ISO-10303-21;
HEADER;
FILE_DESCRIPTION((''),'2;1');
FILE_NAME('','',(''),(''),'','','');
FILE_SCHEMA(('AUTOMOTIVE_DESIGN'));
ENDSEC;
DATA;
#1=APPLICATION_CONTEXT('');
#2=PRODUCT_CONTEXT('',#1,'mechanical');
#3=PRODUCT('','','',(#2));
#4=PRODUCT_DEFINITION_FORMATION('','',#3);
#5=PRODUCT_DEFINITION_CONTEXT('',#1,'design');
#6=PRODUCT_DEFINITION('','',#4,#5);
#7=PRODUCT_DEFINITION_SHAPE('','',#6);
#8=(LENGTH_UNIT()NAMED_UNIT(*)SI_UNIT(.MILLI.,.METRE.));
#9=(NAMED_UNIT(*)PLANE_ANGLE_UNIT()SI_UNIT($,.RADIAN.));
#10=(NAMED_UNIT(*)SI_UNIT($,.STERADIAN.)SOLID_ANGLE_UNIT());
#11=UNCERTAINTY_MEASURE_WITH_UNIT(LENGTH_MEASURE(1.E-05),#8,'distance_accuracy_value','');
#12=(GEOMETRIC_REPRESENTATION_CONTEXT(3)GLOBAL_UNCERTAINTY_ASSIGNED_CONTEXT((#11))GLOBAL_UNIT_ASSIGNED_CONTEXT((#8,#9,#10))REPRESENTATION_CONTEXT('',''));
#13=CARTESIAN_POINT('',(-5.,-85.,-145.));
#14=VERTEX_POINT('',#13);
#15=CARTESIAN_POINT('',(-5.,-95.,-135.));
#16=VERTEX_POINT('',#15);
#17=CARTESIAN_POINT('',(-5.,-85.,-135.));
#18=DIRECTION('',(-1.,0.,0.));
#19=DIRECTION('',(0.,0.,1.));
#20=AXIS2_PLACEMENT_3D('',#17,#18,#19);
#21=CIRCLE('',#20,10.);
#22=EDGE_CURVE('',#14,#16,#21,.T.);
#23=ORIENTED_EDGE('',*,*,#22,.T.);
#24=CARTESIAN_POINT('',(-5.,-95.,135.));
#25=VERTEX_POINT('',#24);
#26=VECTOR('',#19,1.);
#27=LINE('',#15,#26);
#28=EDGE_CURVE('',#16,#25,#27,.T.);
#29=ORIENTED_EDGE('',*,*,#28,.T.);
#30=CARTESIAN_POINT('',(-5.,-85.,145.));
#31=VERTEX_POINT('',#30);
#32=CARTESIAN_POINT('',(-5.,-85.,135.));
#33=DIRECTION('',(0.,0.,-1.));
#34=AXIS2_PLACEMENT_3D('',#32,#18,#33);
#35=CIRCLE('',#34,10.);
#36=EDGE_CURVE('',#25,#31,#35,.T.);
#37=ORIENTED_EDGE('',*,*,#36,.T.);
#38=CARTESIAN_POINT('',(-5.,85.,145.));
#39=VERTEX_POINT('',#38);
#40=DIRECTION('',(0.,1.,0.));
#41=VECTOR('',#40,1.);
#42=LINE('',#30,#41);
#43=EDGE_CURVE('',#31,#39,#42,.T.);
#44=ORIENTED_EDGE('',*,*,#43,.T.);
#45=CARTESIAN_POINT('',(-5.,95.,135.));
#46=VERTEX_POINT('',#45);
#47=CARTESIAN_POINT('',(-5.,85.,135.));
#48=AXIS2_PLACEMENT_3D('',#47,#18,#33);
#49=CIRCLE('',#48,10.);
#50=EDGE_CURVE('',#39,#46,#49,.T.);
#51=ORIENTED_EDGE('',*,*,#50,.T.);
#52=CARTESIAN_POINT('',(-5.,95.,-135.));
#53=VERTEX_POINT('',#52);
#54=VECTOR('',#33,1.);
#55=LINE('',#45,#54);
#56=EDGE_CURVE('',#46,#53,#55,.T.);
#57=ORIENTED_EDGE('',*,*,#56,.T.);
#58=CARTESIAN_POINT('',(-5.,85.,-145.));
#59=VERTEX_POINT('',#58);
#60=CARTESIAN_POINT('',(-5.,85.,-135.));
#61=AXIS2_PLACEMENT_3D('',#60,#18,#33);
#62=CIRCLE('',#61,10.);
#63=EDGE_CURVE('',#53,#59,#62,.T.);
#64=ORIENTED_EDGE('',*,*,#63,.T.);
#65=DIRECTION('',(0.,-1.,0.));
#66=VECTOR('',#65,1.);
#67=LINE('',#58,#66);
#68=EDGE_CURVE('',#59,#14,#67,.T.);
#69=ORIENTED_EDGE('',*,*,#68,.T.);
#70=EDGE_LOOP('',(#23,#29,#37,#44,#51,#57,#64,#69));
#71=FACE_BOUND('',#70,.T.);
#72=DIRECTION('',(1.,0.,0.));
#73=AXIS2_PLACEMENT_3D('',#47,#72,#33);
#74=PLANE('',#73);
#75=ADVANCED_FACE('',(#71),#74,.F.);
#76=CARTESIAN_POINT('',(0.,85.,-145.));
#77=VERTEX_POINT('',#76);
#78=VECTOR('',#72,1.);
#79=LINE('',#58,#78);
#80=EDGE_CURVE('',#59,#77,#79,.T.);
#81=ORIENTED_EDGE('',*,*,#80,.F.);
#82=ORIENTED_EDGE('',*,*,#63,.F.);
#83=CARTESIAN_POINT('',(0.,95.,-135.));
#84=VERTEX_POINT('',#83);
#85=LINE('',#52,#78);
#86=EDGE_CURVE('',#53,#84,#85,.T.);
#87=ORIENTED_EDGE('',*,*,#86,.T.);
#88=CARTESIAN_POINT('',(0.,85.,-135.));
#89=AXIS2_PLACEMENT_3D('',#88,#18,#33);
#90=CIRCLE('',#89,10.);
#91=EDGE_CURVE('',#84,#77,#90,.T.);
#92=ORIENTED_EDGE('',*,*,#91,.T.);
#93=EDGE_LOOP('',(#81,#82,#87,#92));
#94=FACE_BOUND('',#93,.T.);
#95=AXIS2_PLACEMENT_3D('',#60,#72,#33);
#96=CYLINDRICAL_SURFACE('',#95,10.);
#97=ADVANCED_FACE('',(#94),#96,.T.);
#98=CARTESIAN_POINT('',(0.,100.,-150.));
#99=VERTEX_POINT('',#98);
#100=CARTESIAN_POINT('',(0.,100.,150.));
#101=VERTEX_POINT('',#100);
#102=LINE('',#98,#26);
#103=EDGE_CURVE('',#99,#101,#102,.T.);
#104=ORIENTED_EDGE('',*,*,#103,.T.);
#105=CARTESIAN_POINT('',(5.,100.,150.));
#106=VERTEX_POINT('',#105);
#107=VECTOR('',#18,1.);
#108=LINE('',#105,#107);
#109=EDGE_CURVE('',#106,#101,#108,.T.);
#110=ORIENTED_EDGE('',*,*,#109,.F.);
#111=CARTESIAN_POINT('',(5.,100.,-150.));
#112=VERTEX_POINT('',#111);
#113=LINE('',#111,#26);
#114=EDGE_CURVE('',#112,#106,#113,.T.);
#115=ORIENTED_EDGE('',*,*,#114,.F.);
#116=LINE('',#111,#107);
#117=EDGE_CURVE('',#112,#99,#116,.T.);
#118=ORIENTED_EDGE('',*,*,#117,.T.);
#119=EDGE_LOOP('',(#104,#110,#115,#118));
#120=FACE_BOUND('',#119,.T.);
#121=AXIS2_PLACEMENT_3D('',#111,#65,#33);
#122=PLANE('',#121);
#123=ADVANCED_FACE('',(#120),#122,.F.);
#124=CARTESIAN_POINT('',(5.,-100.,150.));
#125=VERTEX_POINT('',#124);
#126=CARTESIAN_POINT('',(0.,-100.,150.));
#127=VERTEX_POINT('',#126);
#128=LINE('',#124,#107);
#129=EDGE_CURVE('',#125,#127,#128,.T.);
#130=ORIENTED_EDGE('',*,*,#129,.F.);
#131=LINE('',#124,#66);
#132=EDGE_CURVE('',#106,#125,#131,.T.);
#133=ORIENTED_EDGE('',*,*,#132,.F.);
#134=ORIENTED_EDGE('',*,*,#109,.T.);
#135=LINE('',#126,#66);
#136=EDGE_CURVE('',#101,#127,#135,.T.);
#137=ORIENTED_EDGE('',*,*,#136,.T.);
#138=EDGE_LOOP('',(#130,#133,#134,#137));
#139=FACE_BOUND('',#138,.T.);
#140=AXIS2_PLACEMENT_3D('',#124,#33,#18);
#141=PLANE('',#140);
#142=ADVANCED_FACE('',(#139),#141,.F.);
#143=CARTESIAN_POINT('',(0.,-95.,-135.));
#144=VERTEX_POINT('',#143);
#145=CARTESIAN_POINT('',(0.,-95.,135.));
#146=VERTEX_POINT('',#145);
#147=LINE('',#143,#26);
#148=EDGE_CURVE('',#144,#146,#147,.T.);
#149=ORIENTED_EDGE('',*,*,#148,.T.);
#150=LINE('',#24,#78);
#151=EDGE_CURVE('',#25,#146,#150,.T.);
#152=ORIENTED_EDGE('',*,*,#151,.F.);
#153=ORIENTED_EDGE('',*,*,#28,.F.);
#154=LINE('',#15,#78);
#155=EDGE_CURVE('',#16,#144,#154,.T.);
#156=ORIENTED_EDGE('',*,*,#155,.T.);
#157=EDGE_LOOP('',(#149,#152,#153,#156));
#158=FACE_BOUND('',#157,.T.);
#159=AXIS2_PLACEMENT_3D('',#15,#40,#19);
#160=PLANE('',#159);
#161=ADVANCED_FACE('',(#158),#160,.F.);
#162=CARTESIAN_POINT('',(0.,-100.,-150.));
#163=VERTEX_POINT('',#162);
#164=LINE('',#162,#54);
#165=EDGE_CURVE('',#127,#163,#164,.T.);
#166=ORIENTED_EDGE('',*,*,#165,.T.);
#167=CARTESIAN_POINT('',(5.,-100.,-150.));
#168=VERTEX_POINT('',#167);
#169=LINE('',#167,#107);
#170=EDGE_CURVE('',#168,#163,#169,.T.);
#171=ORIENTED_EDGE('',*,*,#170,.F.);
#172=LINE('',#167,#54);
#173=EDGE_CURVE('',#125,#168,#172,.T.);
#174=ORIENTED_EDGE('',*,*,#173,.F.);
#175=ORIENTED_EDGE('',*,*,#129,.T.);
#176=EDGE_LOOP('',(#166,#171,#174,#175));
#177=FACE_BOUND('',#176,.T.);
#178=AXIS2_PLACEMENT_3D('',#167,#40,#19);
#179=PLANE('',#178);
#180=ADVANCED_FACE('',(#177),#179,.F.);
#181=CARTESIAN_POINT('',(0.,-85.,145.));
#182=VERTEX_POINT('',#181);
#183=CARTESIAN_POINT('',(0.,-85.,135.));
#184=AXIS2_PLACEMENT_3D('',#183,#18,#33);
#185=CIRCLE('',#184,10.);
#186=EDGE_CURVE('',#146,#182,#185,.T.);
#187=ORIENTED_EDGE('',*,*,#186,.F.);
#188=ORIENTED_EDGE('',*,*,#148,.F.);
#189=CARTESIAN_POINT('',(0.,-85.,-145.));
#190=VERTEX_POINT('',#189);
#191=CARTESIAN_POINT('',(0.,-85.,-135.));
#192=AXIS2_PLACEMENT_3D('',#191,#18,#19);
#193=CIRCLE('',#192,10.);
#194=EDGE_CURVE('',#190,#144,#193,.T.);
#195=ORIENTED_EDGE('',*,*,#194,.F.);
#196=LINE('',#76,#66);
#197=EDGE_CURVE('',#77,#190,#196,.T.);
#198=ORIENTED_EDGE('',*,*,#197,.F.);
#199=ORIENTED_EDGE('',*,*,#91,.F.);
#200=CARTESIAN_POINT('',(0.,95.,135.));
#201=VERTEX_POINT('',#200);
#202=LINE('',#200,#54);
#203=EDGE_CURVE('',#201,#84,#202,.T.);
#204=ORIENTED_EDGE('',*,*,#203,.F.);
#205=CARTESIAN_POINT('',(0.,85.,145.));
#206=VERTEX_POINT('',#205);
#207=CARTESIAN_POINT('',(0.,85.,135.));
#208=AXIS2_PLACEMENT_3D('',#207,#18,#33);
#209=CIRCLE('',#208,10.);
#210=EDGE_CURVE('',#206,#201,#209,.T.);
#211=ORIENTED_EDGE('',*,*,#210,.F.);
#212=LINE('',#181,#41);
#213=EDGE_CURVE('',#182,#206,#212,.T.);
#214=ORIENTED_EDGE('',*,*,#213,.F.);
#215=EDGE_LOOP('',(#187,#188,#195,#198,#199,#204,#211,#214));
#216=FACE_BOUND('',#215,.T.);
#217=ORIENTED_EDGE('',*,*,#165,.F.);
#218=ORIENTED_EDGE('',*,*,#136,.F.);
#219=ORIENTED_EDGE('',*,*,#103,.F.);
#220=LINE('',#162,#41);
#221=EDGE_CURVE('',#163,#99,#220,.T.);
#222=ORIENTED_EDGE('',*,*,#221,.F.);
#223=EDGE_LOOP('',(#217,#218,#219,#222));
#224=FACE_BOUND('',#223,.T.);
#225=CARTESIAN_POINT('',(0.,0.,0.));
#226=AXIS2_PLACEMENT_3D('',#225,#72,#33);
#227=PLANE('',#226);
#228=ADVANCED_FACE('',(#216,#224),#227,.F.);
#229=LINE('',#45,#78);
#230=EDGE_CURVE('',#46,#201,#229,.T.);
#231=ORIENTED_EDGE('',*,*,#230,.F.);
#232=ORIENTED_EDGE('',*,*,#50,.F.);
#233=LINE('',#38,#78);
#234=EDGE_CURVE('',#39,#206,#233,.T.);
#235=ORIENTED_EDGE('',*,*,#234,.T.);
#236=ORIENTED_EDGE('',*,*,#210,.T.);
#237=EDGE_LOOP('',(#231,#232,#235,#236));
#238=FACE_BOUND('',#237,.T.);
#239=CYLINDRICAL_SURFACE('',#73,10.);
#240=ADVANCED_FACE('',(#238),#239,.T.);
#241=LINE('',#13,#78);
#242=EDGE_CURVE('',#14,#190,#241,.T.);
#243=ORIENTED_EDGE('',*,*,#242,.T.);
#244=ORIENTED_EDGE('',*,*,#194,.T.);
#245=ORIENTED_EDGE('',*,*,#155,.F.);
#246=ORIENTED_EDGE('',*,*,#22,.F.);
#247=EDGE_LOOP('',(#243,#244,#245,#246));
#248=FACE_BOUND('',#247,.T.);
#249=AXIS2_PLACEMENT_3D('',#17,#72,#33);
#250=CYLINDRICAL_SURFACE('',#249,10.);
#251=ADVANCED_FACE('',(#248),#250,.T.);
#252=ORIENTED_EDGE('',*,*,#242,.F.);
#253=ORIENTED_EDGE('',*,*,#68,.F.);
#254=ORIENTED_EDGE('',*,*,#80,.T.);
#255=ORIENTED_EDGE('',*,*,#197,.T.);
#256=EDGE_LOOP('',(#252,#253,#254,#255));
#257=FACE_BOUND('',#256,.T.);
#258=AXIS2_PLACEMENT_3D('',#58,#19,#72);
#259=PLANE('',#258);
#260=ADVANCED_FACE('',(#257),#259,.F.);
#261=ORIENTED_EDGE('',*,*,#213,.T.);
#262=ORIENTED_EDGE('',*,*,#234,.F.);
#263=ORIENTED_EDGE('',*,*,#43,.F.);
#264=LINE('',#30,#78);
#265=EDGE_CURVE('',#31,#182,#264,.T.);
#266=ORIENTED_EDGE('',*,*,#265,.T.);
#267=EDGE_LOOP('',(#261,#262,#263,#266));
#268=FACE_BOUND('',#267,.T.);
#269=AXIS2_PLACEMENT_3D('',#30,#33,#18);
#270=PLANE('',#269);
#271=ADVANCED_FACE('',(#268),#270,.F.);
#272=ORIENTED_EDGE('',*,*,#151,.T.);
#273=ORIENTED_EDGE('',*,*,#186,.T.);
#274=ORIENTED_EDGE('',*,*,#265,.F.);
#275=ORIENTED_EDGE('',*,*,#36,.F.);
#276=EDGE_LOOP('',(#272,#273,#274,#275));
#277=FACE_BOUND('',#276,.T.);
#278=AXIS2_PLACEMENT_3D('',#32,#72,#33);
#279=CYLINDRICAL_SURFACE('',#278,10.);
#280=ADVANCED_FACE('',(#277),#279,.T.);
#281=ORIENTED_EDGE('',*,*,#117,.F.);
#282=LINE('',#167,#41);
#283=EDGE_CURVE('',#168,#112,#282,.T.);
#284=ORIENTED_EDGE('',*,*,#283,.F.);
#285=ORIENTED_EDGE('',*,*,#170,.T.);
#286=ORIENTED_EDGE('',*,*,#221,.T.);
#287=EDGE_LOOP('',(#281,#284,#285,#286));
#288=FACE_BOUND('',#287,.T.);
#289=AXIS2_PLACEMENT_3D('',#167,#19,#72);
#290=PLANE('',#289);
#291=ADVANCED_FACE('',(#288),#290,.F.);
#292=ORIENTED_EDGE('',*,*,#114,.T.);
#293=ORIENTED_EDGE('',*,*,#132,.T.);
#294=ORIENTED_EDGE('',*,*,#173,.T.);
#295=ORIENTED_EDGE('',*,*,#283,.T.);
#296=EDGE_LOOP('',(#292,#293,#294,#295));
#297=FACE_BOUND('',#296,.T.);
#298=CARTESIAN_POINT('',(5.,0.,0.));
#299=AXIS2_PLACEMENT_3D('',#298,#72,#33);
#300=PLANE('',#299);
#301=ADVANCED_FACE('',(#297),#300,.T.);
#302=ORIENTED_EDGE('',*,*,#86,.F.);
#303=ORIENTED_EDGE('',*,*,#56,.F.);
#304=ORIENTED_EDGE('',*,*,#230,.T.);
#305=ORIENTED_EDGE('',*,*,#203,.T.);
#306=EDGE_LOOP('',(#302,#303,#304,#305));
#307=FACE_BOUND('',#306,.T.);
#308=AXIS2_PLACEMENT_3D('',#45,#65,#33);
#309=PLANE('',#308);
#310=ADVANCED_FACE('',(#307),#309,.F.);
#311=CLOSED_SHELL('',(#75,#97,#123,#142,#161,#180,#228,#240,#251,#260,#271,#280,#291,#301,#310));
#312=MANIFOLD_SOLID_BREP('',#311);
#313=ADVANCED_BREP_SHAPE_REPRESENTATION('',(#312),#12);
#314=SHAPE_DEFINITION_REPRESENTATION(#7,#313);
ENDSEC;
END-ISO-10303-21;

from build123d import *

# Parameters (mm, degrees)
SKETCH1_W           = 300
SKETCH1_H           = 200
BOSS_EXTRUDE1_DEPTH = 5
BOSS_EXTRUDE2_DEPTH = 5


with BuildPart() as part:
    # Sketch1 → Boss-Extrude1 (new body)
    with BuildSketch(Plane(origin=(0, 0, 0), x_dir=(0, 0, -1), z_dir=(1, 0, 0))):
        Rectangle(SKETCH1_W, SKETCH1_H)
    extrude(amount=BOSS_EXTRUDE1_DEPTH)

    # Sketch2 → Boss-Extrude2 (add)
    with BuildSketch(Plane.ZY):
        with BuildLine():
            Line((145, -85), (145, 85))
            ThreePointArc((145, 85), (142.071067812, 92.071067812), (135, 95))
            Line((135, 95), (-135, 95))
            ThreePointArc((-135, 95), (-142.071067812, 92.071067812), (-145, 85))
            Line((-145, 85), (-145, -85))
            ThreePointArc((-145, -85), (-142.071067812, -92.071067812), (-135, -95))
            Line((-135, -95), (135, -95))
            ThreePointArc((135, -95), (142.071067812, -92.071067812), (145, -85))
        make_face()
    extrude(amount=BOSS_EXTRUDE2_DEPTH)


solid = part.part
